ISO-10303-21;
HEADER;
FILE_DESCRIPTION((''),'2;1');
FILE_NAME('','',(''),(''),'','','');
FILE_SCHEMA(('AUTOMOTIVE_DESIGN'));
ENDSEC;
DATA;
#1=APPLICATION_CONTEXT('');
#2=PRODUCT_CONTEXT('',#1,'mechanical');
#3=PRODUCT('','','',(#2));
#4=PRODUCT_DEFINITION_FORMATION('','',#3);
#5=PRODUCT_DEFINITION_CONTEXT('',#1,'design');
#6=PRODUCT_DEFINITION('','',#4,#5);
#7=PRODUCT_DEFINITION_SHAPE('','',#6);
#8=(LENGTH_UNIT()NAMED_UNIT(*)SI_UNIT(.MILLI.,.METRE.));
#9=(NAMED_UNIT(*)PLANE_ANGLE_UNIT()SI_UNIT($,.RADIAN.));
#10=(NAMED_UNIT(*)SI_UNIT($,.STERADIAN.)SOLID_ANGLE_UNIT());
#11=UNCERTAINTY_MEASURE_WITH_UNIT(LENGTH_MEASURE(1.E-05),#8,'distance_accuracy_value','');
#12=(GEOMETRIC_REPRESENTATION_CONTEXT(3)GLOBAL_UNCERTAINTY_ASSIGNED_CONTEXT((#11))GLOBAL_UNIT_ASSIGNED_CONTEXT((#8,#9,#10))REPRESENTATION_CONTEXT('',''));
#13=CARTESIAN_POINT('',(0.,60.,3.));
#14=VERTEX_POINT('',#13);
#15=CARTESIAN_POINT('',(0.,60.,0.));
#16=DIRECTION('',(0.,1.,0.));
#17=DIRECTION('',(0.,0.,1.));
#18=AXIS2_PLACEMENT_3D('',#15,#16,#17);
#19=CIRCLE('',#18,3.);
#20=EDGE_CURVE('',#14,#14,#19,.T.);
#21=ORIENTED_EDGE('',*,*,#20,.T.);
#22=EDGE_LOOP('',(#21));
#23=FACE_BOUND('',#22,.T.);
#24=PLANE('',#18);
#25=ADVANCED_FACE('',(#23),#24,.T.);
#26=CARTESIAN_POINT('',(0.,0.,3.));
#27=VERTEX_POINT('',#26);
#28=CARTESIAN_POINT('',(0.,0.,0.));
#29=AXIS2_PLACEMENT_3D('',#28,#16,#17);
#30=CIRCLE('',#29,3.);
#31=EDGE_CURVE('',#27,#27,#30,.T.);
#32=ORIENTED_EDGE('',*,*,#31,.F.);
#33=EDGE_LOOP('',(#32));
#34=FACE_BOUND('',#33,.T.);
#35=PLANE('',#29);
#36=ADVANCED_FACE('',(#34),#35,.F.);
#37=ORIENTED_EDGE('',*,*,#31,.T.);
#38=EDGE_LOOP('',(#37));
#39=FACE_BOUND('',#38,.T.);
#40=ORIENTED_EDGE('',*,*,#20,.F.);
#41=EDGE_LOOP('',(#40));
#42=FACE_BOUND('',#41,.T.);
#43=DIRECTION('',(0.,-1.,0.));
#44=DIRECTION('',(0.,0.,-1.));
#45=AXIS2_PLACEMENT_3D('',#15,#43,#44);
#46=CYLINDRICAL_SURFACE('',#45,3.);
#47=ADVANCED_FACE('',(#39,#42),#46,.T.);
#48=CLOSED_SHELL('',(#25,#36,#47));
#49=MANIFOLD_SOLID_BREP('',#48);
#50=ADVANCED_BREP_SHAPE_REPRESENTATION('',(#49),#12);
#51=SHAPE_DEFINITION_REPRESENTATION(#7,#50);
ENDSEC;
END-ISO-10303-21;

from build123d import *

# Parameters (mm, degrees)
SKETCH5_R           = 3
BOSS_EXTRUDE3_DEPTH = 60


with BuildPart() as part:
    # Sketch5 → Boss-Extrude3 (new body)
    with BuildSketch(Plane(origin=(0, 0, 0), x_dir=(1, 0, 0), z_dir=(0, 1, 0))):
        Circle(SKETCH5_R)
    extrude(amount=BOSS_EXTRUDE3_DEPTH)


solid = part.part
